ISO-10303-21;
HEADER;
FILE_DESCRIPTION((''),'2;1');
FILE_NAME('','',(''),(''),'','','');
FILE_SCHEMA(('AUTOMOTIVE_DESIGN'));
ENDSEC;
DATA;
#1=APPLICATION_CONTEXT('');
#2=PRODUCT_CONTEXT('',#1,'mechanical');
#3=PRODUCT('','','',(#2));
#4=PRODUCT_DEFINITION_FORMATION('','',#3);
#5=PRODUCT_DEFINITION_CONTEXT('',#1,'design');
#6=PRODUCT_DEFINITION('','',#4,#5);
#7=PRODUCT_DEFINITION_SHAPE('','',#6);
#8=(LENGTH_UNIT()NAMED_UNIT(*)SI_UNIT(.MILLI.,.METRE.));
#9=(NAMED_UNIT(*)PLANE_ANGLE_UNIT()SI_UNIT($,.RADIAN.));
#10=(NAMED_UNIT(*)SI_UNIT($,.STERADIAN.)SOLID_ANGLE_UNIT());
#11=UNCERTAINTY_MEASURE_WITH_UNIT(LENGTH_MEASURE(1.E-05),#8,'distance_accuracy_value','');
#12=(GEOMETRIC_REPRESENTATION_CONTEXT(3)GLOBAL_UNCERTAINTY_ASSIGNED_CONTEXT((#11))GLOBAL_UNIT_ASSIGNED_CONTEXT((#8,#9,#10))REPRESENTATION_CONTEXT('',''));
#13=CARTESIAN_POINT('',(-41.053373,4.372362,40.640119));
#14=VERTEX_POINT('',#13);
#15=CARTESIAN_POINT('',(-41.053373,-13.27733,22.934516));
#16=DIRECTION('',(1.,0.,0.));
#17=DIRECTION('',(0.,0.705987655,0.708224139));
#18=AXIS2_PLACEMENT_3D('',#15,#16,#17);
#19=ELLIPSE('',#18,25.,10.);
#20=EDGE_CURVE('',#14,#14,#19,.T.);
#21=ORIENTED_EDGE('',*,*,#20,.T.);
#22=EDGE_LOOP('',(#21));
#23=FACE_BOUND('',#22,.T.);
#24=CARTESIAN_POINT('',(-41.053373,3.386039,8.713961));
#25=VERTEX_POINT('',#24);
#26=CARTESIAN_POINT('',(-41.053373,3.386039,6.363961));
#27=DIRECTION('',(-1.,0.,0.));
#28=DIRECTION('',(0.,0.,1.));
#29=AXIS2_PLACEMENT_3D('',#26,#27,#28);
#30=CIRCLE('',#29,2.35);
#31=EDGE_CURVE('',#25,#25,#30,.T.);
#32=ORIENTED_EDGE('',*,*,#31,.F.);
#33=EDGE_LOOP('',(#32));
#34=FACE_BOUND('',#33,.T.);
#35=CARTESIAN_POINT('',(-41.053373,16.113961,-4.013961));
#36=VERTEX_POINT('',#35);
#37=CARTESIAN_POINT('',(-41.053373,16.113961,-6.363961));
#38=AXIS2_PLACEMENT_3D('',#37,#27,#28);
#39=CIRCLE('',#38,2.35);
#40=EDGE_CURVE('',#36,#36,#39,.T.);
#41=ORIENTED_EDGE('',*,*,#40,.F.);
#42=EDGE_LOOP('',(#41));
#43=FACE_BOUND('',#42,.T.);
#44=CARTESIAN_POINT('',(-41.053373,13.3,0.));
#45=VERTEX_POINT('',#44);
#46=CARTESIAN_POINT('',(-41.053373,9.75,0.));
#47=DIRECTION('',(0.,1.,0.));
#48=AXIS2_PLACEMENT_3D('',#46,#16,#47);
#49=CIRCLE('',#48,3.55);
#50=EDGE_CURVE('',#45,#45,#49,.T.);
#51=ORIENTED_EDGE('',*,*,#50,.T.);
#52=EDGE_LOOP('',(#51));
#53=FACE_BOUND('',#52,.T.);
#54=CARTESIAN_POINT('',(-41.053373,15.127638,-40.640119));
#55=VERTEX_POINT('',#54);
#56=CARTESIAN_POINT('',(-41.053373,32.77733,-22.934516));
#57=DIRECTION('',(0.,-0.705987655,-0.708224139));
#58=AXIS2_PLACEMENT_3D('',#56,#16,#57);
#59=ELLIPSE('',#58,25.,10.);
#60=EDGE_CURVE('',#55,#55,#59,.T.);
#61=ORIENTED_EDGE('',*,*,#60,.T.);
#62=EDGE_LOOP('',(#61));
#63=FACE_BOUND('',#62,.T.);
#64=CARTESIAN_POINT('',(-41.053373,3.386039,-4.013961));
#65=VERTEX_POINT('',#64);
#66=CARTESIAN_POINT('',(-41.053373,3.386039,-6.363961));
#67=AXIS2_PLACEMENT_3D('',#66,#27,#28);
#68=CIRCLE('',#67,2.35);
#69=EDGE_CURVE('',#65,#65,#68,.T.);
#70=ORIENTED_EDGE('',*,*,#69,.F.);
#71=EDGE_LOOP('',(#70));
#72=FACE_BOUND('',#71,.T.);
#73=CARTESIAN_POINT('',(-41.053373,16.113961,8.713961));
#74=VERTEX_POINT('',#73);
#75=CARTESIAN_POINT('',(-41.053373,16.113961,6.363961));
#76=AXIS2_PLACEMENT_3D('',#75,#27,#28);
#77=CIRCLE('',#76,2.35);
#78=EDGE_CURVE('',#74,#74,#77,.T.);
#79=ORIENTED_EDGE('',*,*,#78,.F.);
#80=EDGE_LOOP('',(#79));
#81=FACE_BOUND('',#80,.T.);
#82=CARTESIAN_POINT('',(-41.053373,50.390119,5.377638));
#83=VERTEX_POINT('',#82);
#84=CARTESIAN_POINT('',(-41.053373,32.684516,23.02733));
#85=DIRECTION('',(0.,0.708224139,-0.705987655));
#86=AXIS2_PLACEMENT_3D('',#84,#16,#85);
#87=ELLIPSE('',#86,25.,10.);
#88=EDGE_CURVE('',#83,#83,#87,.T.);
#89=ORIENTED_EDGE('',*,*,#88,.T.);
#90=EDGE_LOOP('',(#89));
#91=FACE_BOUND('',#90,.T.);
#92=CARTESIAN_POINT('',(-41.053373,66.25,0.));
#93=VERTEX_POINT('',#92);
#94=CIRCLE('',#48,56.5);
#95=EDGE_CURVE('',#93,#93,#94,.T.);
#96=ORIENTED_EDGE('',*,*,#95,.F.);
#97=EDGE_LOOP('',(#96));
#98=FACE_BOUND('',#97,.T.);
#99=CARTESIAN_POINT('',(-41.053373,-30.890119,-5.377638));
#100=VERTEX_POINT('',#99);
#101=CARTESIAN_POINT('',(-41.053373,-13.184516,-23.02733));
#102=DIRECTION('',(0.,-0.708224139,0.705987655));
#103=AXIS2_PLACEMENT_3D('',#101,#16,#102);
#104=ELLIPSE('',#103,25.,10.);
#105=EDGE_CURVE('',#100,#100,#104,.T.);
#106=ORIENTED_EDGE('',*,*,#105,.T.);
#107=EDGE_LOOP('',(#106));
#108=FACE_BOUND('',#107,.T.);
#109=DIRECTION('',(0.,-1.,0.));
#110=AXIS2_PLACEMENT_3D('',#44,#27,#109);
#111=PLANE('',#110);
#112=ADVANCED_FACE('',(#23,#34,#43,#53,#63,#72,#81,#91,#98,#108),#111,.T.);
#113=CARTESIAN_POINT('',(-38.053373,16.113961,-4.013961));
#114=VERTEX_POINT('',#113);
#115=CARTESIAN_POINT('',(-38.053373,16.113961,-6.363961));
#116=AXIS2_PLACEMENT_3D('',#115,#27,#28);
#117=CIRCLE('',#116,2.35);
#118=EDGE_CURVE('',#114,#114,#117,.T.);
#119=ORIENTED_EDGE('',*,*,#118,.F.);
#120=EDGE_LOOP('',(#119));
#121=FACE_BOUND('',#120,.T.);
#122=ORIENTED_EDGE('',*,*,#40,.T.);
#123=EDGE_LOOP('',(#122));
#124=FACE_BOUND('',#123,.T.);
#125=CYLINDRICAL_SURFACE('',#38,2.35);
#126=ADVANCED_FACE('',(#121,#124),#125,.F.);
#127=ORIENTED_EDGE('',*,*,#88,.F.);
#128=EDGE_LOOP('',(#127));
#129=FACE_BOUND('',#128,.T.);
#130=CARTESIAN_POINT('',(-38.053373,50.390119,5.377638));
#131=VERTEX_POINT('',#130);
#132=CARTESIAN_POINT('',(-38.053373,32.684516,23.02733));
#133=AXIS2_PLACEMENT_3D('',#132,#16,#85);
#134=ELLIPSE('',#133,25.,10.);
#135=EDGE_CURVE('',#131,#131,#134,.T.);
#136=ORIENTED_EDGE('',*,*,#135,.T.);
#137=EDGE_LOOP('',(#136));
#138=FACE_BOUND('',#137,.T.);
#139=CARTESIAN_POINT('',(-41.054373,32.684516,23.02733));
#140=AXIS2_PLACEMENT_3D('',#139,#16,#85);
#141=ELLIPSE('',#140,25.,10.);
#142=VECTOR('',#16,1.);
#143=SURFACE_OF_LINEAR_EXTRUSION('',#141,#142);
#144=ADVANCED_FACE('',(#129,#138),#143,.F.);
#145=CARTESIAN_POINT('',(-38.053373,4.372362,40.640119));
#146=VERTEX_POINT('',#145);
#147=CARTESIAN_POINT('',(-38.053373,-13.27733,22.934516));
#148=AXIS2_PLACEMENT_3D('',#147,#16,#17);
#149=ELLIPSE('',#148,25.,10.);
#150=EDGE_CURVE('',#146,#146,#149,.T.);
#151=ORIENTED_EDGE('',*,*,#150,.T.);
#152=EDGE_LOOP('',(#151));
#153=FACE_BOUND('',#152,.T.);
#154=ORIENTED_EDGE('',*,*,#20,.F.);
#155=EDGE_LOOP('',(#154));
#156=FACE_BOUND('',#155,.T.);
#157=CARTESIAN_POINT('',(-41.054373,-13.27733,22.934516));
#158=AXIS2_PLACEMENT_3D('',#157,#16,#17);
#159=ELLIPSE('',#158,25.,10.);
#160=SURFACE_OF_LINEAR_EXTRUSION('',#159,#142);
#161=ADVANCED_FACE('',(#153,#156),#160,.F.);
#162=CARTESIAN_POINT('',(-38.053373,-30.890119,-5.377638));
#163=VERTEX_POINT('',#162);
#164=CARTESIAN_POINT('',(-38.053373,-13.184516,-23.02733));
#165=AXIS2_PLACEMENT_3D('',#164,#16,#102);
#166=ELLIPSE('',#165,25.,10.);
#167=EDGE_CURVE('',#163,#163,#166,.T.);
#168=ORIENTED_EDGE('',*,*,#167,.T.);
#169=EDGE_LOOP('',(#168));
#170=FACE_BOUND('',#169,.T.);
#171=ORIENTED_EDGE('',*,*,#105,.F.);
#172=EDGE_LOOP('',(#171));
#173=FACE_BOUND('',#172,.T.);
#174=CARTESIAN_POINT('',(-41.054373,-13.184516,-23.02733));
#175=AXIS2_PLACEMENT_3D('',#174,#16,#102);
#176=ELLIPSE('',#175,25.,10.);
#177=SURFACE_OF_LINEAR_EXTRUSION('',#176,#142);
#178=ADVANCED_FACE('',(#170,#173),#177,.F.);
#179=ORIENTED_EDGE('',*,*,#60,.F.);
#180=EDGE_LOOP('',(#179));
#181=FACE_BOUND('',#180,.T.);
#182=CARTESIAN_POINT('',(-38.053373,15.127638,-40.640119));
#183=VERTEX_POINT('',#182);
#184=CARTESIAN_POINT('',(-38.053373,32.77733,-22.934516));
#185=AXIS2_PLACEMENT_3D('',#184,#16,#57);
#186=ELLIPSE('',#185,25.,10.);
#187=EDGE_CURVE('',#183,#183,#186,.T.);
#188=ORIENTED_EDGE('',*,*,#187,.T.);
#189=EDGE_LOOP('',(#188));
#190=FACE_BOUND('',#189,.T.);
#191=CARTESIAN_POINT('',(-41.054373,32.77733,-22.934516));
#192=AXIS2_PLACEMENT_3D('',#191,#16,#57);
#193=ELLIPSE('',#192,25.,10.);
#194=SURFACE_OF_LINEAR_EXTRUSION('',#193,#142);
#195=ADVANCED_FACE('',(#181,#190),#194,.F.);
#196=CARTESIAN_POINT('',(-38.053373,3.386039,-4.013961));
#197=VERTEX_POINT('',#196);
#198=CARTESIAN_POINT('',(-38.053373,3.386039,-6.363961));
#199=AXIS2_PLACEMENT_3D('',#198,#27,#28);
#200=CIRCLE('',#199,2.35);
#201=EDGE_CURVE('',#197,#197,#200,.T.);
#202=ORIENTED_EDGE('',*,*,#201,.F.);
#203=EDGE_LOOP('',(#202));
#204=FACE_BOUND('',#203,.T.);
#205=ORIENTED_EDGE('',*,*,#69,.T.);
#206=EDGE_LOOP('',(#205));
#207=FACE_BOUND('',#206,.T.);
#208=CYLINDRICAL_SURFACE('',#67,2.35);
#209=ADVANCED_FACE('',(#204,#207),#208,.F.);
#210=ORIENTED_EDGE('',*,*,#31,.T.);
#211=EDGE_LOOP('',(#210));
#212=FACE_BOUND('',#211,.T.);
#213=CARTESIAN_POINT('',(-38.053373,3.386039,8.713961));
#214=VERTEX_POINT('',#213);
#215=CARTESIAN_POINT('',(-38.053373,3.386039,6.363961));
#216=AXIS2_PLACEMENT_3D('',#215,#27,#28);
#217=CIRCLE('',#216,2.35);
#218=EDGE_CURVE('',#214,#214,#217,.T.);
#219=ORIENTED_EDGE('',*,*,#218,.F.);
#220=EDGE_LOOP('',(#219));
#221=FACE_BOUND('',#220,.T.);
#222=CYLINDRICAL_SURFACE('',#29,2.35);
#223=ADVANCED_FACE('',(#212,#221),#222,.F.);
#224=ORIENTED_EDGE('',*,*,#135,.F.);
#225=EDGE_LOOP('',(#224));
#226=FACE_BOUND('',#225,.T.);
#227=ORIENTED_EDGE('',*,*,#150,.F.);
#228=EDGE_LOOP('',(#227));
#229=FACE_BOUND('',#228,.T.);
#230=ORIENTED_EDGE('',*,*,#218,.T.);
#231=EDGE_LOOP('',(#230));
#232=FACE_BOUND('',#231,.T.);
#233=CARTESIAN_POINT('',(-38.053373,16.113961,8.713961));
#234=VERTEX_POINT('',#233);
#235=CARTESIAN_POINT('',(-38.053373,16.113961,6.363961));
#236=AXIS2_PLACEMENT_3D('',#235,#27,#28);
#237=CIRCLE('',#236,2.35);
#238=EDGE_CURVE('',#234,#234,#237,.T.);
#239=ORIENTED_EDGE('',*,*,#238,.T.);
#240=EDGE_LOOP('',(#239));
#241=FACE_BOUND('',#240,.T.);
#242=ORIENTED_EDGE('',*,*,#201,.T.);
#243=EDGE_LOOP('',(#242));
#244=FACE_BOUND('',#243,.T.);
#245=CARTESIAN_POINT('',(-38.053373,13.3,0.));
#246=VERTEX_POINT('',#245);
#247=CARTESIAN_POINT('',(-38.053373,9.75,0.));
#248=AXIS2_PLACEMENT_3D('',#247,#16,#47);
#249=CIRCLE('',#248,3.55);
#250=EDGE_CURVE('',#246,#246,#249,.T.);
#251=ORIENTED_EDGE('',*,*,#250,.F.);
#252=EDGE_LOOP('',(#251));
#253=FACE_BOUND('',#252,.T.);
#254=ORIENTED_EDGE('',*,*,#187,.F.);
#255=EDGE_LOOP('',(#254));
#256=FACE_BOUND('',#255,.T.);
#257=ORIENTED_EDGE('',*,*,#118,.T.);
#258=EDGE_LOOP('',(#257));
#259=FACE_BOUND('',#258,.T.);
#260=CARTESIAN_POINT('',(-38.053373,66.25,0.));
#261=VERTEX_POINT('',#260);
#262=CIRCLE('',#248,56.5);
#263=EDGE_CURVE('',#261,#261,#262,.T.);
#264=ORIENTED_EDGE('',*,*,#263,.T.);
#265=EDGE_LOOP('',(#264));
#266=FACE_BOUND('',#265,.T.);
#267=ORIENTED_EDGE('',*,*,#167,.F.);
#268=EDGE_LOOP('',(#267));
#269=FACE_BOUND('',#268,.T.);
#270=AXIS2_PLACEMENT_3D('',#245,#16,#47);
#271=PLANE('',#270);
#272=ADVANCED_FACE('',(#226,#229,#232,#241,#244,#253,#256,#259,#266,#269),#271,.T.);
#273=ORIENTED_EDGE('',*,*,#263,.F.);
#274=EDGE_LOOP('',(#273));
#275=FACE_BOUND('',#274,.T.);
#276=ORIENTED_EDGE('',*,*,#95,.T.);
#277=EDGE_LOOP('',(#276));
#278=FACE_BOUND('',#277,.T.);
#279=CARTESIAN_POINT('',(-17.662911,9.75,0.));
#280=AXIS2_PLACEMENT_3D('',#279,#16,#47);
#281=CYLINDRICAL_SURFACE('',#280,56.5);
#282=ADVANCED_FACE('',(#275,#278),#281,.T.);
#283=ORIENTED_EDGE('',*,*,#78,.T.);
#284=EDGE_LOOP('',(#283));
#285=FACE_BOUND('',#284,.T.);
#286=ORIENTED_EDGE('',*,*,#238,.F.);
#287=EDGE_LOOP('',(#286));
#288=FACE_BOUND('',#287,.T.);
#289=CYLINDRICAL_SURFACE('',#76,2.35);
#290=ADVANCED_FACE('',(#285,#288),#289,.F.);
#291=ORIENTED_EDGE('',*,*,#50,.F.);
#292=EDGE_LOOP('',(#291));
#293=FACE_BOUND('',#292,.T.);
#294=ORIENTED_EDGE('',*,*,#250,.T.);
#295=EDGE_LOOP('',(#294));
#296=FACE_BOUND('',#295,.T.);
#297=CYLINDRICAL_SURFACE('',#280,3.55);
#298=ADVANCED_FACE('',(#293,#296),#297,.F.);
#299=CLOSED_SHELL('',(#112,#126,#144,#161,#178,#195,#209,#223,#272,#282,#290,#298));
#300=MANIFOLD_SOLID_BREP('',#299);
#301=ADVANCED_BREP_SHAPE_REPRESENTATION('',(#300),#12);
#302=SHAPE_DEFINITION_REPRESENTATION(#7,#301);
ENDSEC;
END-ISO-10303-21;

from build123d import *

# Parameters (mm, degrees)
SKIZZE1_W                        = 3
SKIZZE1_H                        = 52.95
F_4_7_4_7_DURCHMESSER_BOHRUNG1_D = 4.7
SKIZZE5_RX                       = 25
SKIZZE5_RY                       = 10
SCHNITT_LINEAR_AUSTRAGEN1_DEPTH  = 3
KREISMUSTER1_COUNT               = 4


with BuildPart() as part:
    # Skizze1 → Rotation1 (revolve)
    with BuildSketch(Plane.XY):
        with Locations((-39.553372853, 39.775)):
            Rectangle(SKIZZE1_W, SKIZZE1_H)
    revolve(axis=Axis((-17.6629112, 9.75, 0), (-1, 0, 0)))

    # Ø4.7 (4.7) Durchmesser Bohrung1 (through all)
    with Locations(Plane(origin=(-41.053372853, 11.968723204, 19.868936148), x_dir=(0, 0, 1), z_dir=(-1, 0, 0))):
        with Locations((-13.504975118, -8.582684234), (-26.232897179, -8.582684234), (-26.232897179, 4.145237827), (-13.504975118, 4.145237827)):
            Hole(F_4_7_4_7_DURCHMESSER_BOHRUNG1_D / 2)

    # Skizze5 → Schnitt-Linear austragen1 (cut)
    with BuildSketch(Plane(origin=(-38.053372853, 0, 0), x_dir=(0, 0, -1), z_dir=(1, 0, 0))):
        with Locations(Location((-23.027329597, 32.684515508), (0, 0, 45.090609512))):
            Ellipse(SKIZZE5_RX, SKIZZE5_RY)
    schnitt_linear_austragen1 = extrude(amount=-SCHNITT_LINEAR_AUSTRAGEN1_DEPTH, mode=Mode.SUBTRACT)

    # Kreismuster1: Schnitt-Linear austragen1 ×4 about axis
    kreismuster1_axis = Axis((0, 9.75, 0), (-1, 0, 0))
    for i in range(1, KREISMUSTER1_COUNT):
        add(schnitt_linear_austragen1.rotate(kreismuster1_axis, i * 360 / KREISMUSTER1_COUNT), mode=Mode.SUBTRACT)


solid = part.part
